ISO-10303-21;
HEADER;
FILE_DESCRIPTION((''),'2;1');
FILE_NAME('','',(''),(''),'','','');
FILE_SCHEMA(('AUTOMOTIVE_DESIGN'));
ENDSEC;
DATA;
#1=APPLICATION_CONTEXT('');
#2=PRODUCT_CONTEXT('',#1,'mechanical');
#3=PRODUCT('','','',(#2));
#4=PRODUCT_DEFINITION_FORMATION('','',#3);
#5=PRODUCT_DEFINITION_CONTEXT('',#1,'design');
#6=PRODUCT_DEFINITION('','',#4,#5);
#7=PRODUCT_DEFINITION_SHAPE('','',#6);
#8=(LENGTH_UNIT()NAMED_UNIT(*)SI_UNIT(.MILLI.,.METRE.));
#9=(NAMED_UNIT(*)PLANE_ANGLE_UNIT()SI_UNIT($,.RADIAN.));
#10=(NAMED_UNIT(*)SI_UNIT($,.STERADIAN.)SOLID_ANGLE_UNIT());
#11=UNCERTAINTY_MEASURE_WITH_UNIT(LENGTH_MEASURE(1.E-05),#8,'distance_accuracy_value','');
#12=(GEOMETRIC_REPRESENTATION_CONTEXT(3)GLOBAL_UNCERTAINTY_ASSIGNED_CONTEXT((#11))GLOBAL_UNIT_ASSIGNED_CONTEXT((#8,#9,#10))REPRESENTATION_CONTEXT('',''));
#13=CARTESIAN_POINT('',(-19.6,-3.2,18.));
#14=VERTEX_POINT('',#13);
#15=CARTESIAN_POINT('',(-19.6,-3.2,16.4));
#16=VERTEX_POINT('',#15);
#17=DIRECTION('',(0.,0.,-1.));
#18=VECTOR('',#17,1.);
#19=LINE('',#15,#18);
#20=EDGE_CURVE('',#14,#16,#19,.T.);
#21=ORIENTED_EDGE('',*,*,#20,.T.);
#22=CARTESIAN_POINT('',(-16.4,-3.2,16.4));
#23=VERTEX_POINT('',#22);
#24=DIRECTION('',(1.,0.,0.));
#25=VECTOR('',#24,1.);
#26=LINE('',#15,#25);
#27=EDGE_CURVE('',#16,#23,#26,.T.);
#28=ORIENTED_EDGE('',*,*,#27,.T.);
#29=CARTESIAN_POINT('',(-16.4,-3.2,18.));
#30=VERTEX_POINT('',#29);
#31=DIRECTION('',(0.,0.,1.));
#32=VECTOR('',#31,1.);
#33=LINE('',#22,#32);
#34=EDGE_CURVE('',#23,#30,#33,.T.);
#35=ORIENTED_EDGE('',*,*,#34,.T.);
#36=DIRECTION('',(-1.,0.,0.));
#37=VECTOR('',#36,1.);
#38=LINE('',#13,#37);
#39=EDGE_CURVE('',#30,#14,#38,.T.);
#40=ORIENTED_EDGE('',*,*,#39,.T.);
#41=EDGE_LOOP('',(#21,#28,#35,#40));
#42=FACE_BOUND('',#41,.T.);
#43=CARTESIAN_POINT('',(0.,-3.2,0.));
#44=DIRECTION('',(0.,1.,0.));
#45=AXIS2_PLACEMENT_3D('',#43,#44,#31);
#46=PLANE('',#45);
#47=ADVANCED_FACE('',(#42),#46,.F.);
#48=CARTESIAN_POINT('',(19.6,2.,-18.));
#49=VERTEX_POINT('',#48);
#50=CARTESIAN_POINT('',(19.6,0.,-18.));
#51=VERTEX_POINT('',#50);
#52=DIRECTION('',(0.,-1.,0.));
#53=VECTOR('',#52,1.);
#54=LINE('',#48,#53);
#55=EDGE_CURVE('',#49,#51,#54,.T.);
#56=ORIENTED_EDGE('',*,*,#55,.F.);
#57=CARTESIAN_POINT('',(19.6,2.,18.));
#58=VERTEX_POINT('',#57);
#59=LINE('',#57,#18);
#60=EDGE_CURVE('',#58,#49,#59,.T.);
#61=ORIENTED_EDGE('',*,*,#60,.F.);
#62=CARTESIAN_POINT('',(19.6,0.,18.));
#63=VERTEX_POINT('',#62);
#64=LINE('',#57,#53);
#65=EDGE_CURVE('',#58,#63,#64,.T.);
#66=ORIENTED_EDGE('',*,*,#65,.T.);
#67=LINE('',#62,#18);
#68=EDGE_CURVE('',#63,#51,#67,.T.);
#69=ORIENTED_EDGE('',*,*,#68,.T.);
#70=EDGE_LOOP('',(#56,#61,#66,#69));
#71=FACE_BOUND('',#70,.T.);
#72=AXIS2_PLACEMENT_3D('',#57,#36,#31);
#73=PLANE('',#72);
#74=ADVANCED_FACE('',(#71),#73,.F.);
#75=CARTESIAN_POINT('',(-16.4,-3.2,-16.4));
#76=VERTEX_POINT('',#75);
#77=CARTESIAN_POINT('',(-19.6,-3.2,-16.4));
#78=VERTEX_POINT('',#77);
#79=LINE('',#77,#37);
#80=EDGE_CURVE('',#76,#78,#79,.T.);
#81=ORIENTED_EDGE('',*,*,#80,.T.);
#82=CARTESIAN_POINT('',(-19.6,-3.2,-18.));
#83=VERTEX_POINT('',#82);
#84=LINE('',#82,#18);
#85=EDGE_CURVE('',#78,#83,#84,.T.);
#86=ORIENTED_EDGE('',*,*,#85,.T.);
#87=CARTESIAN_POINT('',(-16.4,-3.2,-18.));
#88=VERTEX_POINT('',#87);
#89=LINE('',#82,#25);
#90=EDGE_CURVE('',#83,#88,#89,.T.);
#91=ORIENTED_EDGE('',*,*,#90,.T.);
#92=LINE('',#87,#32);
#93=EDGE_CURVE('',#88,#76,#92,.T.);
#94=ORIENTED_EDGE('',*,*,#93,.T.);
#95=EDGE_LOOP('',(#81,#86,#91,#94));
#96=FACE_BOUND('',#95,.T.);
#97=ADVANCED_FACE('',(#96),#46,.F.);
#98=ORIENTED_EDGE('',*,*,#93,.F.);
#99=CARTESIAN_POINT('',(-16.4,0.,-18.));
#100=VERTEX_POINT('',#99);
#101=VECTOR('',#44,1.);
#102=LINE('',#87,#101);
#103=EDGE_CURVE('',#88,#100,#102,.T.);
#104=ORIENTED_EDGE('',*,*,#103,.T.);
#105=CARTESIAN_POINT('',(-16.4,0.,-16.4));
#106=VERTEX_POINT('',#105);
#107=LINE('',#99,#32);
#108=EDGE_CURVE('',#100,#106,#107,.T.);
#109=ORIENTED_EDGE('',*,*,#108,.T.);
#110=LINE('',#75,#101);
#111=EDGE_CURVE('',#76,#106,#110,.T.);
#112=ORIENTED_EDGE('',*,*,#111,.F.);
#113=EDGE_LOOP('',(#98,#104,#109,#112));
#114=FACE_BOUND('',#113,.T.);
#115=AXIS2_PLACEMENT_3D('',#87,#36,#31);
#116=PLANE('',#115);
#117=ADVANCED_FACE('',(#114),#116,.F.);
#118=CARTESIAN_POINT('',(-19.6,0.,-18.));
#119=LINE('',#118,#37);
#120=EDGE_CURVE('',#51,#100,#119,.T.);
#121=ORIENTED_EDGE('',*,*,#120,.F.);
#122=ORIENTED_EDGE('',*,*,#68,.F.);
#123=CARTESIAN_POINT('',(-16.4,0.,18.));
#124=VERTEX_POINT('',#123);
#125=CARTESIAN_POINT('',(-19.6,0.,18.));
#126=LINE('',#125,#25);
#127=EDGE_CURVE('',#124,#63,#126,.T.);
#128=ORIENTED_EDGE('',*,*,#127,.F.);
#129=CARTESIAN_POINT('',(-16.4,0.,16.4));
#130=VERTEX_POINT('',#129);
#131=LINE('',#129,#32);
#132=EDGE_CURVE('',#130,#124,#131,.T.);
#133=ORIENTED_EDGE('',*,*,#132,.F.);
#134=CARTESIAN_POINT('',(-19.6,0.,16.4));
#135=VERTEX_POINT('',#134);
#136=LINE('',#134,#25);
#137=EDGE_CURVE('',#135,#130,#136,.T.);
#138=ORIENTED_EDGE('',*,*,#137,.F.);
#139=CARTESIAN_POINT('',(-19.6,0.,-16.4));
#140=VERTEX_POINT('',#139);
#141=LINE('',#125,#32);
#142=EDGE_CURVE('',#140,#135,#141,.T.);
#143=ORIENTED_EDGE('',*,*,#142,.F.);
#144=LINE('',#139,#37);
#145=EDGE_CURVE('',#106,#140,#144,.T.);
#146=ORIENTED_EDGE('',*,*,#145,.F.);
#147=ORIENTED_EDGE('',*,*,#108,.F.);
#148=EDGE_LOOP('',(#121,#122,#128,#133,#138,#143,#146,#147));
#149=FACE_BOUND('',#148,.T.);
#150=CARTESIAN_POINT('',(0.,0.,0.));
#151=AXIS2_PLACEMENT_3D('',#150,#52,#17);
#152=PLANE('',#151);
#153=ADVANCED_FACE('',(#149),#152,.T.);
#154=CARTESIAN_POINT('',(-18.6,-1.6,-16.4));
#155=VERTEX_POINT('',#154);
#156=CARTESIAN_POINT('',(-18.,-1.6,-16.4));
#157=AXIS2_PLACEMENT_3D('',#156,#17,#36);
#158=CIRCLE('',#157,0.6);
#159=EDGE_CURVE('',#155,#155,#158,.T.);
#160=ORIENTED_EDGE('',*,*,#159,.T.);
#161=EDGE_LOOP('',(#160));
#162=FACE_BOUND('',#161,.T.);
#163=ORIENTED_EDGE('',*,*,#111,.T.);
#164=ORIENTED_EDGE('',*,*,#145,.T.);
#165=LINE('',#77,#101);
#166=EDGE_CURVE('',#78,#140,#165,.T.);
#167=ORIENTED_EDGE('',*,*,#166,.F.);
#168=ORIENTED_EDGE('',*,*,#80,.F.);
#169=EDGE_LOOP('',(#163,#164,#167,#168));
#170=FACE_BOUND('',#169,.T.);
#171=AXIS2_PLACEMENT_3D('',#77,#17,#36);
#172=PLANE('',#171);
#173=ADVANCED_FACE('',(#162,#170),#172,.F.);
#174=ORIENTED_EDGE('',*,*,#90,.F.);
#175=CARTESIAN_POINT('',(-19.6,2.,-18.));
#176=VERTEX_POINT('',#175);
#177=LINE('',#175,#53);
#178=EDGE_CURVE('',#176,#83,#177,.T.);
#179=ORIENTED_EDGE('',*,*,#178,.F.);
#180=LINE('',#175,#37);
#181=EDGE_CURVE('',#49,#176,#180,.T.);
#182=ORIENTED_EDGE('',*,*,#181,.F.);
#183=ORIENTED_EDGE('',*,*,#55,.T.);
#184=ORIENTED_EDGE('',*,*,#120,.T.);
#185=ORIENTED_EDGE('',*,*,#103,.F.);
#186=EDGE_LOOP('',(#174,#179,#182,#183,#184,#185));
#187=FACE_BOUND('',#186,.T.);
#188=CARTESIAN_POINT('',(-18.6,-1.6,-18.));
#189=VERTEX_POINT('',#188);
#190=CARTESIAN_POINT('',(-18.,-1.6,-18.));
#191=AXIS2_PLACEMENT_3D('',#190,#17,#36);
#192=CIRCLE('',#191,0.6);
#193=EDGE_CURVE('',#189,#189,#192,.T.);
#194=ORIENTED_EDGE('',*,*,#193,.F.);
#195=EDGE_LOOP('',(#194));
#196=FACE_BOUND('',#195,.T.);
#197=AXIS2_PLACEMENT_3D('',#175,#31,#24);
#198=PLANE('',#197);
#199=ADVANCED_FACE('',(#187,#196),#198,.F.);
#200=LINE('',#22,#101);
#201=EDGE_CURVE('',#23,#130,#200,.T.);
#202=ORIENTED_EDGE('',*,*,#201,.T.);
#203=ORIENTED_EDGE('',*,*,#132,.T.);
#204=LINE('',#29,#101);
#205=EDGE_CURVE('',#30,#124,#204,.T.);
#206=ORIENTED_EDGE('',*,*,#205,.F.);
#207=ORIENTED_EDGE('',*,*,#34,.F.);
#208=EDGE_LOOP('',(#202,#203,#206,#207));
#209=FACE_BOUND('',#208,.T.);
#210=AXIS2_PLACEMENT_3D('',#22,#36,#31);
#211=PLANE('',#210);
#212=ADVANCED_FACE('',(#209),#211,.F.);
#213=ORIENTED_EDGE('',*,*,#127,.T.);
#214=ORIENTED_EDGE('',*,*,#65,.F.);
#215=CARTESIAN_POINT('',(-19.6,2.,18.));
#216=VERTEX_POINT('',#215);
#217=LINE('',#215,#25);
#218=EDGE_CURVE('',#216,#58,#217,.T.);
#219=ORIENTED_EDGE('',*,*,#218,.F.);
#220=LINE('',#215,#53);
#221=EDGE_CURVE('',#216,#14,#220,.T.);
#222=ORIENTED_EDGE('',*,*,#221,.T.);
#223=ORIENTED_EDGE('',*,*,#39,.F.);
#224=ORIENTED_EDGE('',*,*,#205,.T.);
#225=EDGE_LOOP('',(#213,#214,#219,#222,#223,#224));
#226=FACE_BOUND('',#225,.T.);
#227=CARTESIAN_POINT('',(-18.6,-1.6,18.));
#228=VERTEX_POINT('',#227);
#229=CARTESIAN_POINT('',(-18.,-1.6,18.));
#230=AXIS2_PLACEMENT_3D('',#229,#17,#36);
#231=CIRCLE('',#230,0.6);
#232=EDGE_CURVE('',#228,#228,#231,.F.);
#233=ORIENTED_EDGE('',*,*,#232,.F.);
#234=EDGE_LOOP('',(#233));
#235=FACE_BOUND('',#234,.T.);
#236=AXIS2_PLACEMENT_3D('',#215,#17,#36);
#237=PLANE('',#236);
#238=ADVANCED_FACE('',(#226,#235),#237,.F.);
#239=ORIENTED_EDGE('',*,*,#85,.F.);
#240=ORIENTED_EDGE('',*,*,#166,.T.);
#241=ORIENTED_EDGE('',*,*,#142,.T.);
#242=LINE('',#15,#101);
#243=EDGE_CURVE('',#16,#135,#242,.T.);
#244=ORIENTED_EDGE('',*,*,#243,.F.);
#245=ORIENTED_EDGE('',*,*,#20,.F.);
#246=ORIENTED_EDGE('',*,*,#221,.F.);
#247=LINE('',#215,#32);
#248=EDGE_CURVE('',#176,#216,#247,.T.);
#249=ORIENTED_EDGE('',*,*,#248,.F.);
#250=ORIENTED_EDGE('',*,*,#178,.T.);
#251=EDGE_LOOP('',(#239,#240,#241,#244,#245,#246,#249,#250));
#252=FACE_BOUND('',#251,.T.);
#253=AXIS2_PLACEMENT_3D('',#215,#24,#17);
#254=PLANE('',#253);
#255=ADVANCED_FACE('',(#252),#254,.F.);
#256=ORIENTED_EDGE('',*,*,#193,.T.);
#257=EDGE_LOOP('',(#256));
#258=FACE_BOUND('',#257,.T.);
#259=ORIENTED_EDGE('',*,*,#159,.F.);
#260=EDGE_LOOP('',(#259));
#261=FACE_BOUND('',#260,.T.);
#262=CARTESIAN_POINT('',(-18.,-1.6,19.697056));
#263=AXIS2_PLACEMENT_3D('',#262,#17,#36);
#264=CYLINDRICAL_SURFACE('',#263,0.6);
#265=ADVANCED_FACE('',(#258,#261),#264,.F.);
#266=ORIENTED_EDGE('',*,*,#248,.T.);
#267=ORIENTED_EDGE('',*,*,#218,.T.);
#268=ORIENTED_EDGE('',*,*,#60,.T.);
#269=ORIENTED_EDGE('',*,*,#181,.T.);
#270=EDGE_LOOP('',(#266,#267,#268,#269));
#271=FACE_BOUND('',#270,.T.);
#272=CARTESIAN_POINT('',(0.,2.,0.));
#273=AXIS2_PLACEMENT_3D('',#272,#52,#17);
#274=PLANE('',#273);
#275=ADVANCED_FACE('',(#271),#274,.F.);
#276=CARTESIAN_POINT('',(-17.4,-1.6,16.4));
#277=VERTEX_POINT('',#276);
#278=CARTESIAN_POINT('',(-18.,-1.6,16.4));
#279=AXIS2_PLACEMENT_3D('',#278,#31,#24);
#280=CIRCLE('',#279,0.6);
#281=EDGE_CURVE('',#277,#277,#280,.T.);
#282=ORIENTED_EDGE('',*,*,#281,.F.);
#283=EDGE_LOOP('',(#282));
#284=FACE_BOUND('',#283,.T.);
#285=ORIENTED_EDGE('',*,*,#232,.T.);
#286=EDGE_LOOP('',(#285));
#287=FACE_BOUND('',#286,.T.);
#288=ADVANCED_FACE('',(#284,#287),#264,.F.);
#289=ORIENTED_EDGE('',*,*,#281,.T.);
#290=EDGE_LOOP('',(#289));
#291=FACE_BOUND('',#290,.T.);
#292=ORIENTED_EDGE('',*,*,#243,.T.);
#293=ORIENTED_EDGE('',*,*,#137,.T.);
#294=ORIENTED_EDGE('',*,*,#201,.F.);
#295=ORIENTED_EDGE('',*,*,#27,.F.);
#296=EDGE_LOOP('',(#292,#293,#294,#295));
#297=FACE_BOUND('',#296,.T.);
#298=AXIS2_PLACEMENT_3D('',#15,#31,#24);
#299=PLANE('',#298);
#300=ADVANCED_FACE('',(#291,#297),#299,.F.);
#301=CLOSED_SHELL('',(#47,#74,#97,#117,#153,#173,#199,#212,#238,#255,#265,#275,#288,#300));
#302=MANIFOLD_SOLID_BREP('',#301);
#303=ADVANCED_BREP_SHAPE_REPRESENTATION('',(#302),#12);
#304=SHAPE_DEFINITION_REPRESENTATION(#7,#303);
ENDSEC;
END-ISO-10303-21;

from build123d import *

# Parameters (mm, degrees)
SKETCH_1_W          = 39.2
SKETCH_1_H          = 36
EXTRUDE_1_DEPTH     = 2
SKETCH_7_W          = 3.2
SKETCH_7_H          = 1.6
EXTRUDE_3_DEPTH     = 3.2
CUT_EXTRUDE_START   = -36
SKETCH_8_R          = 0.6
CUT_EXTRUDE_2_DEPTH = 36


with BuildPart() as part:
    # Эскиз1 → Бобышка-Вытянуть1 (new body)
    with BuildSketch(Plane(origin=(0, 0, 0), x_dir=(1, 0, 0), z_dir=(0, 1, 0))):
        Rectangle(SKETCH_1_W, SKETCH_1_H)
    extrude(amount=EXTRUDE_1_DEPTH)

    # Эскиз7 → Бобышка-Вытянуть3 (add)
    with BuildSketch(Plane.XZ):
        with Locations((-18, -17.2)):
            Rectangle(SKETCH_7_W, SKETCH_7_H)
        with Locations((-18, 17.2)):
            Rectangle(SKETCH_7_W, SKETCH_7_H)
    extrude(amount=EXTRUDE_3_DEPTH)

    # Эскиз8 → Вырез-Вытянуть2 (cut)
    with BuildSketch(Plane(origin=(0, 0, -18), x_dir=(-1, 0, 0), z_dir=(0, 0, -1)).offset(CUT_EXTRUDE_START)):
        with Locations((18, -1.6)):
            Circle(SKETCH_8_R)
    extrude(amount=CUT_EXTRUDE_2_DEPTH, mode=Mode.SUBTRACT)


solid = part.part
